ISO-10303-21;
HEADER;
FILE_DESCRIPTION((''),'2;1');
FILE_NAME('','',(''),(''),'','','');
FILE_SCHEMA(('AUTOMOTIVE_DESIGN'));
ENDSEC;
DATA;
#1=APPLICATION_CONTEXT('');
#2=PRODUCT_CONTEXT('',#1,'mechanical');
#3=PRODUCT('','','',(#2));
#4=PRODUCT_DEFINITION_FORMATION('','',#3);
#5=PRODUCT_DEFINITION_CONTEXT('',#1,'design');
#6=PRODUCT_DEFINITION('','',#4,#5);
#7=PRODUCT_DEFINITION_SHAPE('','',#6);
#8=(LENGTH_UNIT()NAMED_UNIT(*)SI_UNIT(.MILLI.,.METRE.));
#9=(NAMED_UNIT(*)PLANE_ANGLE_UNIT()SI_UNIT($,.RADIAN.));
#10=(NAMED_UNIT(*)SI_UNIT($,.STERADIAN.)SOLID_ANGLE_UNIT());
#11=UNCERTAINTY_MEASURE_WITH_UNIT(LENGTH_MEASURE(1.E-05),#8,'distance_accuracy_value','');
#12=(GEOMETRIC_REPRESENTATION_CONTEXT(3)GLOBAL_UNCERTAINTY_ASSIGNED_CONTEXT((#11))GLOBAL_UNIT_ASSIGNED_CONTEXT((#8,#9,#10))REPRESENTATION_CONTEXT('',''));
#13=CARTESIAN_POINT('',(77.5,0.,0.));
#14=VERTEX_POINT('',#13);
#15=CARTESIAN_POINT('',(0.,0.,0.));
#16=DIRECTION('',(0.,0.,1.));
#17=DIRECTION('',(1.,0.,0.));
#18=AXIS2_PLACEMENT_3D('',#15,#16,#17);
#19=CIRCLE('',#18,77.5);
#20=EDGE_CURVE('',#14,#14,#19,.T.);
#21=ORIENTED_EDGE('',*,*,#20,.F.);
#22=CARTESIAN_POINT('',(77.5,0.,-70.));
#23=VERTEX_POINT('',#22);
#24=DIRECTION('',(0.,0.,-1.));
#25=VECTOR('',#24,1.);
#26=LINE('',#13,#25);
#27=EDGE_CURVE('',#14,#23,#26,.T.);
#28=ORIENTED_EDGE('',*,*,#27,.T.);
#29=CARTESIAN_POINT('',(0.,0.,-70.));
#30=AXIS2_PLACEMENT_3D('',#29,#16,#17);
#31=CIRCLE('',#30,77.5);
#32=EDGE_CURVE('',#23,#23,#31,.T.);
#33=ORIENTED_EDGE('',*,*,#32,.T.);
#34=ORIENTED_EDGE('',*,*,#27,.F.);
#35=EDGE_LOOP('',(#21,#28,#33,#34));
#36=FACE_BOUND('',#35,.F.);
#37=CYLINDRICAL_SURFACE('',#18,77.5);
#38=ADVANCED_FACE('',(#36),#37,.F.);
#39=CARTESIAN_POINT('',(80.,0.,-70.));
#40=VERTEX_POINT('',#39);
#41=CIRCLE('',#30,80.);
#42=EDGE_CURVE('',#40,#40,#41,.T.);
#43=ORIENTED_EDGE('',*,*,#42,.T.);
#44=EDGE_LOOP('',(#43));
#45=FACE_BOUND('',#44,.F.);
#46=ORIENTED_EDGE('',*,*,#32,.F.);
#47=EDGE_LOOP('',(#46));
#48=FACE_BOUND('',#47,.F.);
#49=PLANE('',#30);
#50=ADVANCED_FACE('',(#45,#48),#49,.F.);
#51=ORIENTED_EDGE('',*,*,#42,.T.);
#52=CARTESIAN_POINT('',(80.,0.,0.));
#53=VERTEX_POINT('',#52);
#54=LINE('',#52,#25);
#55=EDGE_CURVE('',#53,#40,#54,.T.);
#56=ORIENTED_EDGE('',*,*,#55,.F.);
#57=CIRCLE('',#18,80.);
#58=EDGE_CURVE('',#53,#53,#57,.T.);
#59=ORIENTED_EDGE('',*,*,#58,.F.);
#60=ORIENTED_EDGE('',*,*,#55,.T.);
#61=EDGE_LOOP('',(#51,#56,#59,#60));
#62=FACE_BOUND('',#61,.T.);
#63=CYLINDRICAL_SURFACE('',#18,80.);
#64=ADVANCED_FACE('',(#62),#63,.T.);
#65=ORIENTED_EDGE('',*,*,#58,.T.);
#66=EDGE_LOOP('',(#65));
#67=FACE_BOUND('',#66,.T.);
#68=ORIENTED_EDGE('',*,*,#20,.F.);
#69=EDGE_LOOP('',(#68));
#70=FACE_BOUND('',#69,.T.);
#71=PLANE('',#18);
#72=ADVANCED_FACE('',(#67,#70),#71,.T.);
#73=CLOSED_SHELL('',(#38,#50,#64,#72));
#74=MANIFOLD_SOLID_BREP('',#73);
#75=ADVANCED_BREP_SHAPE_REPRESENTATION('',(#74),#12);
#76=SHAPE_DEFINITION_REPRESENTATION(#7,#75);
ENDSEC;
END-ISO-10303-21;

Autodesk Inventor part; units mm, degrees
ref_plane "YZ Plane" through (0, 0, 0) normal (1, 0, 0) x (0, 1, 0)
ref_plane "XY Plane" through (0, 0, 0) normal (0, 0, 1) x (1, 0, 0)
sketch "Esquisse1" plane through (0, 0, 0) normal (0, 0, 1) x (1, 0, 0)
  circle A0 centre (0, 0) radius 77.5
  circle A1 centre (0, 0) radius 80
  dimension "d0" = 155
  dimension "d1" = 160
extrude "Extrusion1" add sketch "Esquisse1" against normal blind 70
ref_plane "Plan de construction1" through (0, 0, -35) normal (0, 0, 1) x (1, 0, 0)
properties part number "Rouleau"
